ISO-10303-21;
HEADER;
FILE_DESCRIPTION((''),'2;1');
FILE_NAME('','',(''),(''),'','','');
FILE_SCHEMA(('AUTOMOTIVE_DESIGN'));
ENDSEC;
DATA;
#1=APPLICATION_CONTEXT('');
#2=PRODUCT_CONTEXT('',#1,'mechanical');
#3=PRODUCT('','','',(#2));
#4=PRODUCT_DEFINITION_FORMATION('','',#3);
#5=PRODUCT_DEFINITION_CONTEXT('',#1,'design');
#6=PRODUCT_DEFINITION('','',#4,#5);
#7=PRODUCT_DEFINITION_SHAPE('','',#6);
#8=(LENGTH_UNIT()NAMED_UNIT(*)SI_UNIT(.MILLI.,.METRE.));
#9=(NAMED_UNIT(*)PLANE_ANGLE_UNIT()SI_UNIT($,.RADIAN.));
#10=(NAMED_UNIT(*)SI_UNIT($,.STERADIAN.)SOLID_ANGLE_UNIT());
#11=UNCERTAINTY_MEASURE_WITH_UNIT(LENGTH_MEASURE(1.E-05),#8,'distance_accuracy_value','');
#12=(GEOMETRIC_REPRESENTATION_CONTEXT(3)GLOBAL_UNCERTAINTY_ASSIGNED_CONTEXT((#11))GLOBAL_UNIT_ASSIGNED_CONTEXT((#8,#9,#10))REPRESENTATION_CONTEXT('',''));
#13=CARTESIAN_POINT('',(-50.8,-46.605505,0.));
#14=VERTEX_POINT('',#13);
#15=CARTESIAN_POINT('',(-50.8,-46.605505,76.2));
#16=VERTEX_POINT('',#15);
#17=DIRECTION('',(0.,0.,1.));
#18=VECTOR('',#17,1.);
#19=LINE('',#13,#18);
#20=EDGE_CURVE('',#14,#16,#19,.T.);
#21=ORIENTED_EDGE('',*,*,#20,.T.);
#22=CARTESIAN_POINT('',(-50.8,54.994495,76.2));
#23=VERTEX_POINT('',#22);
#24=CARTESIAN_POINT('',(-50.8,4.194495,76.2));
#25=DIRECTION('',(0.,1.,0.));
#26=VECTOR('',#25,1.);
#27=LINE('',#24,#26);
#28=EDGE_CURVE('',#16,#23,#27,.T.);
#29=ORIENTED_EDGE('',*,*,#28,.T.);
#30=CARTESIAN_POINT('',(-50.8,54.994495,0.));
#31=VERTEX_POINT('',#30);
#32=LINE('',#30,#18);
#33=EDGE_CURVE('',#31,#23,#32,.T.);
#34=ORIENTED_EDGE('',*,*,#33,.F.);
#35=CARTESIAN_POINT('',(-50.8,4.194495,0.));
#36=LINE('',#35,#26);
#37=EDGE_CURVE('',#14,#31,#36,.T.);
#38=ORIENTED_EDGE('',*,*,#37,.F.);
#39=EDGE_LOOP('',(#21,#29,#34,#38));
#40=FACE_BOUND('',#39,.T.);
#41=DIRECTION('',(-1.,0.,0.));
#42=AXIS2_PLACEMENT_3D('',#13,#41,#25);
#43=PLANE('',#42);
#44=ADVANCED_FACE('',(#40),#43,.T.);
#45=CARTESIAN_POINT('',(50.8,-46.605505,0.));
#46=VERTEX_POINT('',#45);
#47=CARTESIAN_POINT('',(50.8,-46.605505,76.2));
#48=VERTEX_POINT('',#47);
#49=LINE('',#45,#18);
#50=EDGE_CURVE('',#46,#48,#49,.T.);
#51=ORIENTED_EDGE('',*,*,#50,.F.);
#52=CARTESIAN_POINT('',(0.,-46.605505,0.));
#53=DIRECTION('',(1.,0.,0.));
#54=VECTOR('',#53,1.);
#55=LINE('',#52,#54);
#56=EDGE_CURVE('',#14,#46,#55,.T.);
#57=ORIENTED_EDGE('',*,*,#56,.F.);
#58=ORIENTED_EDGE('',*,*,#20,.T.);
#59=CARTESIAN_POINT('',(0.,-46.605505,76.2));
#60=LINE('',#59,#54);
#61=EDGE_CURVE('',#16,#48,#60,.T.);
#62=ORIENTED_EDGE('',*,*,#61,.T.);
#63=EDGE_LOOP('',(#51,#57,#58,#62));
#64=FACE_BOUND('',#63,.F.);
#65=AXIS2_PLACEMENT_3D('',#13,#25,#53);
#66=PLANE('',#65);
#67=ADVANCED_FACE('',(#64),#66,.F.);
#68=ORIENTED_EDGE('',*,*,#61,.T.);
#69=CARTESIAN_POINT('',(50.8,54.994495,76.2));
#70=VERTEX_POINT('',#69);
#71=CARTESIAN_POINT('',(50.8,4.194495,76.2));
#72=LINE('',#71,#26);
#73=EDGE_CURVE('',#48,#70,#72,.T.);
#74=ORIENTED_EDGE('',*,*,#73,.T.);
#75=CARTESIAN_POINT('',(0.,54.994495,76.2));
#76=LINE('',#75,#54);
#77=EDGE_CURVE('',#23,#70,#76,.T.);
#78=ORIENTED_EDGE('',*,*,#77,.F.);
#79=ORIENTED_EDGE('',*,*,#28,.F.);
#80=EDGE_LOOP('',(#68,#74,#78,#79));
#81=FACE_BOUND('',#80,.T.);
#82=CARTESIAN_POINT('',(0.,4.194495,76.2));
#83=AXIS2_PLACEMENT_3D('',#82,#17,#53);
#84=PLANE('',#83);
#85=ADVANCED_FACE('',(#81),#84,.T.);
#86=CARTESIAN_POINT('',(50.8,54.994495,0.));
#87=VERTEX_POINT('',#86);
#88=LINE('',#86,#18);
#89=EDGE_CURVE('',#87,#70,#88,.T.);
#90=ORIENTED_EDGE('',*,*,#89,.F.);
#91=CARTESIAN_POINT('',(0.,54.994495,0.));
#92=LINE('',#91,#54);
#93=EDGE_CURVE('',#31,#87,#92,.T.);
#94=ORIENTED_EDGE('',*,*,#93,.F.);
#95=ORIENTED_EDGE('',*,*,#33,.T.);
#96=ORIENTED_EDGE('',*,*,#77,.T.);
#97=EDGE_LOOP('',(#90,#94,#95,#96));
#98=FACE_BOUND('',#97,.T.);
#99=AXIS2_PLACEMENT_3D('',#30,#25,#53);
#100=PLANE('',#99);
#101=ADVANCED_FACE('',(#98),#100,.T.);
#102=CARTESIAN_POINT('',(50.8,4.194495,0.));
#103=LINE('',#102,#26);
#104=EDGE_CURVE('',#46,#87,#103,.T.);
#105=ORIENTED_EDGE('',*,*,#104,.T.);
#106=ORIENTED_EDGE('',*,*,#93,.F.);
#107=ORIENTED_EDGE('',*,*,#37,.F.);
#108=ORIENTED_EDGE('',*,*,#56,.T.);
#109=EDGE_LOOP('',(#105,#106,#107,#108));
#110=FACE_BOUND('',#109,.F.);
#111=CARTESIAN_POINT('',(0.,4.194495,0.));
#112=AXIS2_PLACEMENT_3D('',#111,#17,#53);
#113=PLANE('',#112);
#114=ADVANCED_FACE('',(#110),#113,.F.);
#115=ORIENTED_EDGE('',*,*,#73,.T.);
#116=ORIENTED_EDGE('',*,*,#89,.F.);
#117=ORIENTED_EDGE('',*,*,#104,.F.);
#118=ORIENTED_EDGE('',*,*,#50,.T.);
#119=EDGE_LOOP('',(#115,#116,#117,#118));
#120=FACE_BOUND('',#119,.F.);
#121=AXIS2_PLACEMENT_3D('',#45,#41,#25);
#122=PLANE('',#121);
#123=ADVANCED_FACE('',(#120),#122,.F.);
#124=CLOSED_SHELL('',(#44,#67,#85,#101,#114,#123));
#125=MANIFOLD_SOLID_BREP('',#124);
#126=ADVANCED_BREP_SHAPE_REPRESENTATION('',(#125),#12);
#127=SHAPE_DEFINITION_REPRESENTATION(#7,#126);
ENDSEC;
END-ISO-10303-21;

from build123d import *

# Parameters (mm, degrees)
F0_W     = 101.6
F0_H     = 101.6
F0_R     = 38.1
F1_DEPTH = 76.2


with BuildPart() as f1:
    # F0 (on Top) → F1 (new body)
    with BuildSketch(Plane.XY):
        with Locations((0, 4.194495)):
            Rectangle(F0_W, F0_H)
        with Locations((0, 4.194495)):
            Circle(F0_R, mode=Mode.SUBTRACT)
        with Locations((0, 4.194495)):
            Circle(F0_R)
    extrude(amount=F1_DEPTH)


solid = f1.part
